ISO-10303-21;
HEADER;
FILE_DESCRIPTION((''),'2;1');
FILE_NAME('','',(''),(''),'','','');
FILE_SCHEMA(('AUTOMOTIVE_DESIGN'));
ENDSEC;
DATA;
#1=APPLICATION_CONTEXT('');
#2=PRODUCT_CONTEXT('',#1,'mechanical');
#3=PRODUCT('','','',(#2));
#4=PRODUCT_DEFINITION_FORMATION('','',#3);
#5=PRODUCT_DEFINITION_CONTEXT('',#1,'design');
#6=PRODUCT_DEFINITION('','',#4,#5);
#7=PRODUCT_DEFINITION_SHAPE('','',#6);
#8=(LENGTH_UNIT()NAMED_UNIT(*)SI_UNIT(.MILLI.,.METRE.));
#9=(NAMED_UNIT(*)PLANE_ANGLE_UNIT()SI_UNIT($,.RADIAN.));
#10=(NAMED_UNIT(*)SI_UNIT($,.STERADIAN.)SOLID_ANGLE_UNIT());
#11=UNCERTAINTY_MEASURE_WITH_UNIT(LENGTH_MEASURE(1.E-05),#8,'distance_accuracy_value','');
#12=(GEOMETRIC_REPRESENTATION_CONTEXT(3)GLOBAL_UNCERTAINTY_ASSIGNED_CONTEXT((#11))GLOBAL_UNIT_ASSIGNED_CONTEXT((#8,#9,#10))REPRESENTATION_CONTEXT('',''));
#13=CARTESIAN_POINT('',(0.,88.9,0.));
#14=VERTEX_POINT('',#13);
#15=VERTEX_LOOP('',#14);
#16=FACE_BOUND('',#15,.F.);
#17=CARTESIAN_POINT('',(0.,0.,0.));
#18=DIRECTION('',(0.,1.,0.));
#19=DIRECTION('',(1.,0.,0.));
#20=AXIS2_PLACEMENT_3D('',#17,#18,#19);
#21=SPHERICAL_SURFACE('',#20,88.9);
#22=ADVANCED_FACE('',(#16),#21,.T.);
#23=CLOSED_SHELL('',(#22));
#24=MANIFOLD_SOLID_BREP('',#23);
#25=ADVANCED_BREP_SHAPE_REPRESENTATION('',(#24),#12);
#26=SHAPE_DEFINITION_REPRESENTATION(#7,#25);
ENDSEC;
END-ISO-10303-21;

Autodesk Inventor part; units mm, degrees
ref_plane "YZ Plane" through (0, 0, 0) normal (1, 0, 0) x (0, 1, 0)
ref_plane "XZ Plane" through (0, 0, 0) normal (0, 1, 0) x (-1, 0, 0)
ref_plane "XY Plane" through (0, 0, 0) normal (0, 0, 1) x (1, 0, 0)
sketch "Sketch1" plane through (0, 0, 0) normal (0, 0, 1) x (1, 0, 0)
  arc A0 (0, -88.9) -> (0, 88.9) centre (0, 0) ccw
  line L0 (0, 88.9) -> (0, -88.9)
  dimension "d4" = 177.8
revolve "Revolution1" add sketch "Sketch1" angle 360 about axis through (0, 88.9, 0) along (0, -1, 0)
properties part number "Power Cell" material "PC/ABS Plastic"
